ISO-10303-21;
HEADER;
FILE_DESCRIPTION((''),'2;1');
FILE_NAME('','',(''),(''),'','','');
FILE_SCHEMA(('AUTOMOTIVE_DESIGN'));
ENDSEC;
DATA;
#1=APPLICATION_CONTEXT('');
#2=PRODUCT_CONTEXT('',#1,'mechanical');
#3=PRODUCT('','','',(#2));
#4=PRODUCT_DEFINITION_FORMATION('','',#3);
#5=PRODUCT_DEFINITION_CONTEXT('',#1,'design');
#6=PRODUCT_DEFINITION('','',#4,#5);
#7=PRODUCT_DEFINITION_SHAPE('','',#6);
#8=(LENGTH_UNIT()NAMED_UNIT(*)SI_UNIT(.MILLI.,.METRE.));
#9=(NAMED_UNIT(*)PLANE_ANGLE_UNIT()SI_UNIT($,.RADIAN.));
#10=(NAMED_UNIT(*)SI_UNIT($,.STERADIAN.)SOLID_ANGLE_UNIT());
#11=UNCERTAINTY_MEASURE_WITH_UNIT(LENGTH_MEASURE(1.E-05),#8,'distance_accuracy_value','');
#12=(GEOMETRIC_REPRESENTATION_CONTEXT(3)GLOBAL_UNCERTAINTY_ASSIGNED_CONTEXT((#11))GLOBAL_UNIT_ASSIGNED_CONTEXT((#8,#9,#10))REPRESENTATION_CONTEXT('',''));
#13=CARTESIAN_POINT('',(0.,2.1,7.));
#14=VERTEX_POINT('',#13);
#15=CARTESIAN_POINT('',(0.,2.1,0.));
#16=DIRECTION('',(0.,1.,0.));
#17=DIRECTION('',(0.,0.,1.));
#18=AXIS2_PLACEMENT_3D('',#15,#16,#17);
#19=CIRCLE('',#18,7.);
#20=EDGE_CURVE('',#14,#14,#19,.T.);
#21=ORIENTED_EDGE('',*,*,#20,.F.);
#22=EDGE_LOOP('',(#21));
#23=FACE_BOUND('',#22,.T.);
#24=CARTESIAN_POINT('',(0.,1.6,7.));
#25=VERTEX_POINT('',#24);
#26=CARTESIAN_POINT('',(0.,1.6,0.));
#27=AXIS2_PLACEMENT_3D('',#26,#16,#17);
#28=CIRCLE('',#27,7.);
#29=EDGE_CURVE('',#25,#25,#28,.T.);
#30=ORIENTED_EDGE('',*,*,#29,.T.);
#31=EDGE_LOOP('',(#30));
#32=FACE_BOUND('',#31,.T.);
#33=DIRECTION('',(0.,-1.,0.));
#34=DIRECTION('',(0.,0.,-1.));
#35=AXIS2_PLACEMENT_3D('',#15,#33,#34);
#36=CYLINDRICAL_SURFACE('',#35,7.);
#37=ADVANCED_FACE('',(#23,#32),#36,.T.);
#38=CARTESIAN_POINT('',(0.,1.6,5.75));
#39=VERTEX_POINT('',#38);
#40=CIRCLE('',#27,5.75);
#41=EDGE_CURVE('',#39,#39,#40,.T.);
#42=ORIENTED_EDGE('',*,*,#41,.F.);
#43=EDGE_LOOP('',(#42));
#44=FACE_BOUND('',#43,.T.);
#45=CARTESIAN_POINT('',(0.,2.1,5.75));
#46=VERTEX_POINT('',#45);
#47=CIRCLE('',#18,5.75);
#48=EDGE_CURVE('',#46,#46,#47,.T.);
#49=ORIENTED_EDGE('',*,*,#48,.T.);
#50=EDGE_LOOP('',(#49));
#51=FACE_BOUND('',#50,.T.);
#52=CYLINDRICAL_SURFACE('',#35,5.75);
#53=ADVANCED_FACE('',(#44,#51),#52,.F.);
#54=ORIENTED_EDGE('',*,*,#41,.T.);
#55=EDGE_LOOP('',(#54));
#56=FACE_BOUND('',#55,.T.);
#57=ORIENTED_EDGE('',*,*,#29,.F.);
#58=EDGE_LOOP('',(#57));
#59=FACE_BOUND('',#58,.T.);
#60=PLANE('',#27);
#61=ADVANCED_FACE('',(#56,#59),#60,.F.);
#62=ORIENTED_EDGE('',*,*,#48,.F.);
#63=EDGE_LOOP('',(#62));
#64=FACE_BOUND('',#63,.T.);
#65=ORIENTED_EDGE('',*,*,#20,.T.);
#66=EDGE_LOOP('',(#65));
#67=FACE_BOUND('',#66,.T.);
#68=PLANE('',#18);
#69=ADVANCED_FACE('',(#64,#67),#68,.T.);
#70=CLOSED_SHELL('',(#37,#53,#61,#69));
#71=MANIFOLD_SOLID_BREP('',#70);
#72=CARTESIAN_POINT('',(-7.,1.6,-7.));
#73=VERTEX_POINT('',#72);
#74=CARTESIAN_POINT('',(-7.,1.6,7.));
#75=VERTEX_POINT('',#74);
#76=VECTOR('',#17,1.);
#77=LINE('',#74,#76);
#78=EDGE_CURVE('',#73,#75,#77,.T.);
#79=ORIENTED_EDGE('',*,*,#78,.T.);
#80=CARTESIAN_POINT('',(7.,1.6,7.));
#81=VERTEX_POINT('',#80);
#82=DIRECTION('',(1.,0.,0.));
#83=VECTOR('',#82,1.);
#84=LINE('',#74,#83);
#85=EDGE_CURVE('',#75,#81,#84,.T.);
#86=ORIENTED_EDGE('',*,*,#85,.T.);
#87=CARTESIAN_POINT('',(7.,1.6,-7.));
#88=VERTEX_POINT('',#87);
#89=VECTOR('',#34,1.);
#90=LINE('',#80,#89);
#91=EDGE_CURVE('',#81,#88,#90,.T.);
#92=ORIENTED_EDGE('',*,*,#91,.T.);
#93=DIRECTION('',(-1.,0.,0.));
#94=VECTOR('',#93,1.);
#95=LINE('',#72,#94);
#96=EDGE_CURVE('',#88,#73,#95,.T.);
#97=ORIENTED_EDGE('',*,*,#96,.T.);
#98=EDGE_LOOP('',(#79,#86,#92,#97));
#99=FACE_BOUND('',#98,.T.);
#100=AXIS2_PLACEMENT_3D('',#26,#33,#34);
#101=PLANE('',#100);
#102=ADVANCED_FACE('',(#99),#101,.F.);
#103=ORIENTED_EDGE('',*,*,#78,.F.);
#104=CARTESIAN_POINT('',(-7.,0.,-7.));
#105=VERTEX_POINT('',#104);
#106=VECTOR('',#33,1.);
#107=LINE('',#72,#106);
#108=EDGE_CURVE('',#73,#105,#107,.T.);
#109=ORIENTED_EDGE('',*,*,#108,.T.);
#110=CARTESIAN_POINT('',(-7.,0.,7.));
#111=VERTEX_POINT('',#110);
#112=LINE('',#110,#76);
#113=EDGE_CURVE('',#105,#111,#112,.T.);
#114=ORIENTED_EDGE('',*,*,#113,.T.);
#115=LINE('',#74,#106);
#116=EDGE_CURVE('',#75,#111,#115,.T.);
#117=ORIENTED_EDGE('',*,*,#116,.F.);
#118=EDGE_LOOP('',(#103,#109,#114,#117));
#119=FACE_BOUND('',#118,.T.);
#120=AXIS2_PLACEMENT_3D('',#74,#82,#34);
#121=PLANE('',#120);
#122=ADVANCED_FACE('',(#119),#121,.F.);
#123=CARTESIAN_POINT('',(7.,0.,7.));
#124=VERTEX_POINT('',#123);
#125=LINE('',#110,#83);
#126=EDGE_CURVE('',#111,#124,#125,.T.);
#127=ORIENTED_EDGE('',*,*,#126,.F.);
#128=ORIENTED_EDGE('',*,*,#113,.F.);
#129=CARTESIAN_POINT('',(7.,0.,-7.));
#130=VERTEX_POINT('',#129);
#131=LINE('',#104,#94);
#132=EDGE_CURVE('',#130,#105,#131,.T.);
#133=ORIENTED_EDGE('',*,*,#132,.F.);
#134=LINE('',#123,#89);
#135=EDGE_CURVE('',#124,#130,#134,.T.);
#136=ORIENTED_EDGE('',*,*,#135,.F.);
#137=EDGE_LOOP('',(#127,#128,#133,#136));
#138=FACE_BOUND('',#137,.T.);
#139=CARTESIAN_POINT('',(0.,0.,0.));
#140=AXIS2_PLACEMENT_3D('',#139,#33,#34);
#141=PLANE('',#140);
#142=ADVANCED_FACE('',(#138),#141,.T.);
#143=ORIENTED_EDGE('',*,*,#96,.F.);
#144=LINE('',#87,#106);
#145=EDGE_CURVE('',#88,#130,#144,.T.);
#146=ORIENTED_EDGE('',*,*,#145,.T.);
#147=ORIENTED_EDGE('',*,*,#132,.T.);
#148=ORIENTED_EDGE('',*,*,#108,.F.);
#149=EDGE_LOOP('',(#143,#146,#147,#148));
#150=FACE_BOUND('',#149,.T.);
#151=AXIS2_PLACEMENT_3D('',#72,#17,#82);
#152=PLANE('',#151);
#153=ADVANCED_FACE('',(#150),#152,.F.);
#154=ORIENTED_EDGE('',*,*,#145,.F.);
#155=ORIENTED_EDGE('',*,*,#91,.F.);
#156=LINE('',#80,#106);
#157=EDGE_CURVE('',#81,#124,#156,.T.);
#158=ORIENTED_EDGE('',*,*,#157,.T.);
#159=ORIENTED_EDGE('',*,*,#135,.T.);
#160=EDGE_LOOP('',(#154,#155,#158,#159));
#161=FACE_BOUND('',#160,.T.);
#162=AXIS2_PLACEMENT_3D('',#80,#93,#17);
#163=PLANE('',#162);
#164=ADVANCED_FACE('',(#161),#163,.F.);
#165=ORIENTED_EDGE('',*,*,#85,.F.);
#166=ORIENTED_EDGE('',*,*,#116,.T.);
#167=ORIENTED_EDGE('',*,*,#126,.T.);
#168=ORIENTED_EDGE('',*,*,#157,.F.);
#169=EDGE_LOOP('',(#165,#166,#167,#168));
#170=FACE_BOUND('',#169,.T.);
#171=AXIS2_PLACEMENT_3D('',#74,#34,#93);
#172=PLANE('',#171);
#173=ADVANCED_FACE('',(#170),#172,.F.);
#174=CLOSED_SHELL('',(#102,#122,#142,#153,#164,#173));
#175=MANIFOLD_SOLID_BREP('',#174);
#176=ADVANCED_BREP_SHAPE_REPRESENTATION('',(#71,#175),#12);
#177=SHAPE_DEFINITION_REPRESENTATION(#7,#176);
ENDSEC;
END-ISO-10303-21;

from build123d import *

# Parameters (mm, degrees)
SKETCH1_W           = 14
SKETCH1_H           = 14
BOSS_EXTRUDE1_DEPTH = 1.6
SKETCH2_R           = 7
SKETCH2_R_2         = 5.75
BOSS_EXTRUDE2_DEPTH = 0.5


with BuildPart() as part:
    # Sketch1 → Boss-Extrude1 (new body)
    with BuildSketch(Plane(origin=(0, 0, 0), x_dir=(1, 0, 0), z_dir=(0, 1, 0))):
        Rectangle(SKETCH1_W, SKETCH1_H)
    extrude(amount=BOSS_EXTRUDE1_DEPTH)


with BuildPart() as body_2:
    # Sketch2 → Boss-Extrude2 (new body)
    with BuildSketch(Plane(origin=(0, 1.6, 0), x_dir=(1, 0, 0), z_dir=(0, 1, 0))):
        Circle(SKETCH2_R)
        Circle(SKETCH2_R_2, mode=Mode.SUBTRACT)
    extrude(amount=BOSS_EXTRUDE2_DEPTH)


solid = Compound([part.part, body_2.part])
